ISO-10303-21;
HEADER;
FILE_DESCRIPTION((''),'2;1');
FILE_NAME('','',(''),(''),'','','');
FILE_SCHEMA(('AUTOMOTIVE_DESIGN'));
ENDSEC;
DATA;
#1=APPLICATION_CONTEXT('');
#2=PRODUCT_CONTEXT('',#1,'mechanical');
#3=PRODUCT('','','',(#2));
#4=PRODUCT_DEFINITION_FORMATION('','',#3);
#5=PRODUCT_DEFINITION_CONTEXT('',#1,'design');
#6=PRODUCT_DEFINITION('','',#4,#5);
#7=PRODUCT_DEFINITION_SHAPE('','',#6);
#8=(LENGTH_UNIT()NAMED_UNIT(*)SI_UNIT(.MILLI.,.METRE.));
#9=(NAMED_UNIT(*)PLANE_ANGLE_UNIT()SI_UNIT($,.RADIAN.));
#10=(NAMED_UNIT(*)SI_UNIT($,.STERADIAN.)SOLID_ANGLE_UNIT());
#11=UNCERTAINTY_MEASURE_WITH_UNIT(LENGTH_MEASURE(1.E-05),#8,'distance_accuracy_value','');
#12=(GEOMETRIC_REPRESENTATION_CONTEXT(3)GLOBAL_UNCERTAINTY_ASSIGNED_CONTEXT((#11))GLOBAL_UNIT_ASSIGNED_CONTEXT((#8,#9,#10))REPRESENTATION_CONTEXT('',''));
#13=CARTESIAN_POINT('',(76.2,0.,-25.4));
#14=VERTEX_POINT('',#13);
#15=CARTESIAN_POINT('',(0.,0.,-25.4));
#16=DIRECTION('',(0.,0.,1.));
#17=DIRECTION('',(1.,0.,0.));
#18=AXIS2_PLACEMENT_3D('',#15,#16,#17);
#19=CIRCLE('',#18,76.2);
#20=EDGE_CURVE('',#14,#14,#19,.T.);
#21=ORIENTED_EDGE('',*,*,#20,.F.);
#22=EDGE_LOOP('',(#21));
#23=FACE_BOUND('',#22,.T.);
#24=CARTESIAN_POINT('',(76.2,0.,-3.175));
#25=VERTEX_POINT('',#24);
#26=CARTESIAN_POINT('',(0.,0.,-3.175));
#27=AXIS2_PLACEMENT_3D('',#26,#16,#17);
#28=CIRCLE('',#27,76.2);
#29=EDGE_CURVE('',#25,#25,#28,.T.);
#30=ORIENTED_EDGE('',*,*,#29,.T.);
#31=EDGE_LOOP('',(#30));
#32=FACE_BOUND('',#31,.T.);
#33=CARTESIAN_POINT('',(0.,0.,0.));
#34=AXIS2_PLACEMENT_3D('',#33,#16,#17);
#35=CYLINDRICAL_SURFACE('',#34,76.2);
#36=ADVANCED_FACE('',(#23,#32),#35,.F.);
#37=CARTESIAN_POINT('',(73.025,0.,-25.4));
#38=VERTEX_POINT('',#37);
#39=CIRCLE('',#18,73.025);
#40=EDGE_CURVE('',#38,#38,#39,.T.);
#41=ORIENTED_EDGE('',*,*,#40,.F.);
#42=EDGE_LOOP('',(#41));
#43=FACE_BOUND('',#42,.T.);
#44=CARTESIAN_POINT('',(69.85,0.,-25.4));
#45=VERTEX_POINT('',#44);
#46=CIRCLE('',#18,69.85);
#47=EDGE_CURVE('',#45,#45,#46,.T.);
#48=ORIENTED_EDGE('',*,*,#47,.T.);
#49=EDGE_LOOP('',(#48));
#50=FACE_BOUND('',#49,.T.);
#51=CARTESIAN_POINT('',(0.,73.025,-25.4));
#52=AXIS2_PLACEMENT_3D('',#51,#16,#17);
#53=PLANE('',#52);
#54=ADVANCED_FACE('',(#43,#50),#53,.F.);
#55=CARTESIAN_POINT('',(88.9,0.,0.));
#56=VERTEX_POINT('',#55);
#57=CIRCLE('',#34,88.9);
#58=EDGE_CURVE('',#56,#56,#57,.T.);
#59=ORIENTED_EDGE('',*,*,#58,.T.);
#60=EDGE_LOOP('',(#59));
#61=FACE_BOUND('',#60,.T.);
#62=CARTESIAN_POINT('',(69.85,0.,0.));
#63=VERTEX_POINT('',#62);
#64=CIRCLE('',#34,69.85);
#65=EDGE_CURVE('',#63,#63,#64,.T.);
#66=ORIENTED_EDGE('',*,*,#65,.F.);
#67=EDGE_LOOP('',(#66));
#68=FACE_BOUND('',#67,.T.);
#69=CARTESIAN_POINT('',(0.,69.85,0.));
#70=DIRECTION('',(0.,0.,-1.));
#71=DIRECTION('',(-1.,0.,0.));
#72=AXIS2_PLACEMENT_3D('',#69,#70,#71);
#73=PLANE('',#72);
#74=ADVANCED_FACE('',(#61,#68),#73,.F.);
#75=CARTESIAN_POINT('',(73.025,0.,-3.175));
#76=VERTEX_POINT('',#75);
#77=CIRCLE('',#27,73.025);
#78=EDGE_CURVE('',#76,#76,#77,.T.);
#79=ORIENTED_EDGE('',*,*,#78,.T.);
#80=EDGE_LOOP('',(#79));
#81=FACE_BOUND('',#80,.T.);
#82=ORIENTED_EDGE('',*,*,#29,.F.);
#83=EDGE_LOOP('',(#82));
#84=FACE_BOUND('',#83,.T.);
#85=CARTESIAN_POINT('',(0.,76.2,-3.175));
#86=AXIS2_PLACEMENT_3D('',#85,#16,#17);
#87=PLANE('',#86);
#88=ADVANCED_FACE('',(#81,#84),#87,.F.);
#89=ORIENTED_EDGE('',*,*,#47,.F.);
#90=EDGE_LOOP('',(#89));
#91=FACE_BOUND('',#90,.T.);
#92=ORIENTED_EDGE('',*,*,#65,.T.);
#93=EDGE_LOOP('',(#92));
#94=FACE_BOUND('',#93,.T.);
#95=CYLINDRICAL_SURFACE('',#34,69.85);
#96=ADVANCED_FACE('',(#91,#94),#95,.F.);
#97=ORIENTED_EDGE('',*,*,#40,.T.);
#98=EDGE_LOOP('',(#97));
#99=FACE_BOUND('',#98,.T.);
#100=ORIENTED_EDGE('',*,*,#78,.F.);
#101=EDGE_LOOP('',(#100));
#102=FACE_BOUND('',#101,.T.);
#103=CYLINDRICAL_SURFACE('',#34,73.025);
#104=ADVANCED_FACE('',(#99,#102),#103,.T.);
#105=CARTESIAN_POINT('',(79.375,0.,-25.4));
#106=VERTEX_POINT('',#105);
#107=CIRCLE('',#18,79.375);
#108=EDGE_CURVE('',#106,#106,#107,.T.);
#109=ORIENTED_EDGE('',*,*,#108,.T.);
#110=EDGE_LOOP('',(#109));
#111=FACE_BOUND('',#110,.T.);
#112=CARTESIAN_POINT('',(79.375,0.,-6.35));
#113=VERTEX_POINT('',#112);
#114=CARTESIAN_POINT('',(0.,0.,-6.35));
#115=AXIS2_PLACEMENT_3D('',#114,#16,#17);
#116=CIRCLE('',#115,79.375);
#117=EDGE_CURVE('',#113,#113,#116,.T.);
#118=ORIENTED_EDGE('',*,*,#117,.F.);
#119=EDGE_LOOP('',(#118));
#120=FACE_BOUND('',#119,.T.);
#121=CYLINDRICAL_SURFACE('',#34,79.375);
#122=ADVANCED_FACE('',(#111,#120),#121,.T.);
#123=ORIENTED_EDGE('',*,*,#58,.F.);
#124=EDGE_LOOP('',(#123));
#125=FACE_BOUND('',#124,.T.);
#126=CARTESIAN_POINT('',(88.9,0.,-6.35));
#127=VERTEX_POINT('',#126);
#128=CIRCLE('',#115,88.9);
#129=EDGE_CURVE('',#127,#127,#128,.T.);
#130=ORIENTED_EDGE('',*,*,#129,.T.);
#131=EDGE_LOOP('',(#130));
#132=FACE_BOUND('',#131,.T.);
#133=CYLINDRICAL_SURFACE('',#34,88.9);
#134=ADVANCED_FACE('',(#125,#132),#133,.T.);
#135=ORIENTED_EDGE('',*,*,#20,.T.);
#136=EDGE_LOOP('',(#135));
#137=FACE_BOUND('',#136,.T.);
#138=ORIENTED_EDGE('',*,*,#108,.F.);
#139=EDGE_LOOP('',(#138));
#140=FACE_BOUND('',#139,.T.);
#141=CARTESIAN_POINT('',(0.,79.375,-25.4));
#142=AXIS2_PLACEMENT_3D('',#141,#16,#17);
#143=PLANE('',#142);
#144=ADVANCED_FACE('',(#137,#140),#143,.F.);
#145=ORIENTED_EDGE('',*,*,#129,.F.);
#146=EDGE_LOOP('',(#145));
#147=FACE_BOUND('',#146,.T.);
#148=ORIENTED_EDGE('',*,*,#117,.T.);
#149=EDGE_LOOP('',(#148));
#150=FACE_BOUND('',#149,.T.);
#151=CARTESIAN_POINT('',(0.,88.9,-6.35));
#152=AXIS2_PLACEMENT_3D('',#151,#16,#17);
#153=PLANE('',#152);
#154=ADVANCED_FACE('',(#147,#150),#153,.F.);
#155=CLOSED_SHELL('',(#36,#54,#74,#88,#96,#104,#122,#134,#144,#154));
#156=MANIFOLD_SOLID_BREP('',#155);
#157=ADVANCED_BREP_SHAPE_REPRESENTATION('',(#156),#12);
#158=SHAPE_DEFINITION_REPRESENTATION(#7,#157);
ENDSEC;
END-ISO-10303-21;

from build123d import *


with BuildPart() as part:
    # Sketch2 → Revolve1 (revolve)
    with BuildSketch(Plane(origin=(0, 0, 0), x_dir=(0, 0, -1), z_dir=(1, 0, 0))):
        Polygon((0, 69.85), (25.4, 69.85), (25.4, 73.025), (3.175, 73.025), (3.175, 76.2), (25.4, 76.2), (25.4, 79.375), (6.35, 79.375), (6.35, 88.9), (0, 88.9), align=None)
    revolve(axis=Axis((0, 0, 0), (0, 0, -1)))


solid = part.part
